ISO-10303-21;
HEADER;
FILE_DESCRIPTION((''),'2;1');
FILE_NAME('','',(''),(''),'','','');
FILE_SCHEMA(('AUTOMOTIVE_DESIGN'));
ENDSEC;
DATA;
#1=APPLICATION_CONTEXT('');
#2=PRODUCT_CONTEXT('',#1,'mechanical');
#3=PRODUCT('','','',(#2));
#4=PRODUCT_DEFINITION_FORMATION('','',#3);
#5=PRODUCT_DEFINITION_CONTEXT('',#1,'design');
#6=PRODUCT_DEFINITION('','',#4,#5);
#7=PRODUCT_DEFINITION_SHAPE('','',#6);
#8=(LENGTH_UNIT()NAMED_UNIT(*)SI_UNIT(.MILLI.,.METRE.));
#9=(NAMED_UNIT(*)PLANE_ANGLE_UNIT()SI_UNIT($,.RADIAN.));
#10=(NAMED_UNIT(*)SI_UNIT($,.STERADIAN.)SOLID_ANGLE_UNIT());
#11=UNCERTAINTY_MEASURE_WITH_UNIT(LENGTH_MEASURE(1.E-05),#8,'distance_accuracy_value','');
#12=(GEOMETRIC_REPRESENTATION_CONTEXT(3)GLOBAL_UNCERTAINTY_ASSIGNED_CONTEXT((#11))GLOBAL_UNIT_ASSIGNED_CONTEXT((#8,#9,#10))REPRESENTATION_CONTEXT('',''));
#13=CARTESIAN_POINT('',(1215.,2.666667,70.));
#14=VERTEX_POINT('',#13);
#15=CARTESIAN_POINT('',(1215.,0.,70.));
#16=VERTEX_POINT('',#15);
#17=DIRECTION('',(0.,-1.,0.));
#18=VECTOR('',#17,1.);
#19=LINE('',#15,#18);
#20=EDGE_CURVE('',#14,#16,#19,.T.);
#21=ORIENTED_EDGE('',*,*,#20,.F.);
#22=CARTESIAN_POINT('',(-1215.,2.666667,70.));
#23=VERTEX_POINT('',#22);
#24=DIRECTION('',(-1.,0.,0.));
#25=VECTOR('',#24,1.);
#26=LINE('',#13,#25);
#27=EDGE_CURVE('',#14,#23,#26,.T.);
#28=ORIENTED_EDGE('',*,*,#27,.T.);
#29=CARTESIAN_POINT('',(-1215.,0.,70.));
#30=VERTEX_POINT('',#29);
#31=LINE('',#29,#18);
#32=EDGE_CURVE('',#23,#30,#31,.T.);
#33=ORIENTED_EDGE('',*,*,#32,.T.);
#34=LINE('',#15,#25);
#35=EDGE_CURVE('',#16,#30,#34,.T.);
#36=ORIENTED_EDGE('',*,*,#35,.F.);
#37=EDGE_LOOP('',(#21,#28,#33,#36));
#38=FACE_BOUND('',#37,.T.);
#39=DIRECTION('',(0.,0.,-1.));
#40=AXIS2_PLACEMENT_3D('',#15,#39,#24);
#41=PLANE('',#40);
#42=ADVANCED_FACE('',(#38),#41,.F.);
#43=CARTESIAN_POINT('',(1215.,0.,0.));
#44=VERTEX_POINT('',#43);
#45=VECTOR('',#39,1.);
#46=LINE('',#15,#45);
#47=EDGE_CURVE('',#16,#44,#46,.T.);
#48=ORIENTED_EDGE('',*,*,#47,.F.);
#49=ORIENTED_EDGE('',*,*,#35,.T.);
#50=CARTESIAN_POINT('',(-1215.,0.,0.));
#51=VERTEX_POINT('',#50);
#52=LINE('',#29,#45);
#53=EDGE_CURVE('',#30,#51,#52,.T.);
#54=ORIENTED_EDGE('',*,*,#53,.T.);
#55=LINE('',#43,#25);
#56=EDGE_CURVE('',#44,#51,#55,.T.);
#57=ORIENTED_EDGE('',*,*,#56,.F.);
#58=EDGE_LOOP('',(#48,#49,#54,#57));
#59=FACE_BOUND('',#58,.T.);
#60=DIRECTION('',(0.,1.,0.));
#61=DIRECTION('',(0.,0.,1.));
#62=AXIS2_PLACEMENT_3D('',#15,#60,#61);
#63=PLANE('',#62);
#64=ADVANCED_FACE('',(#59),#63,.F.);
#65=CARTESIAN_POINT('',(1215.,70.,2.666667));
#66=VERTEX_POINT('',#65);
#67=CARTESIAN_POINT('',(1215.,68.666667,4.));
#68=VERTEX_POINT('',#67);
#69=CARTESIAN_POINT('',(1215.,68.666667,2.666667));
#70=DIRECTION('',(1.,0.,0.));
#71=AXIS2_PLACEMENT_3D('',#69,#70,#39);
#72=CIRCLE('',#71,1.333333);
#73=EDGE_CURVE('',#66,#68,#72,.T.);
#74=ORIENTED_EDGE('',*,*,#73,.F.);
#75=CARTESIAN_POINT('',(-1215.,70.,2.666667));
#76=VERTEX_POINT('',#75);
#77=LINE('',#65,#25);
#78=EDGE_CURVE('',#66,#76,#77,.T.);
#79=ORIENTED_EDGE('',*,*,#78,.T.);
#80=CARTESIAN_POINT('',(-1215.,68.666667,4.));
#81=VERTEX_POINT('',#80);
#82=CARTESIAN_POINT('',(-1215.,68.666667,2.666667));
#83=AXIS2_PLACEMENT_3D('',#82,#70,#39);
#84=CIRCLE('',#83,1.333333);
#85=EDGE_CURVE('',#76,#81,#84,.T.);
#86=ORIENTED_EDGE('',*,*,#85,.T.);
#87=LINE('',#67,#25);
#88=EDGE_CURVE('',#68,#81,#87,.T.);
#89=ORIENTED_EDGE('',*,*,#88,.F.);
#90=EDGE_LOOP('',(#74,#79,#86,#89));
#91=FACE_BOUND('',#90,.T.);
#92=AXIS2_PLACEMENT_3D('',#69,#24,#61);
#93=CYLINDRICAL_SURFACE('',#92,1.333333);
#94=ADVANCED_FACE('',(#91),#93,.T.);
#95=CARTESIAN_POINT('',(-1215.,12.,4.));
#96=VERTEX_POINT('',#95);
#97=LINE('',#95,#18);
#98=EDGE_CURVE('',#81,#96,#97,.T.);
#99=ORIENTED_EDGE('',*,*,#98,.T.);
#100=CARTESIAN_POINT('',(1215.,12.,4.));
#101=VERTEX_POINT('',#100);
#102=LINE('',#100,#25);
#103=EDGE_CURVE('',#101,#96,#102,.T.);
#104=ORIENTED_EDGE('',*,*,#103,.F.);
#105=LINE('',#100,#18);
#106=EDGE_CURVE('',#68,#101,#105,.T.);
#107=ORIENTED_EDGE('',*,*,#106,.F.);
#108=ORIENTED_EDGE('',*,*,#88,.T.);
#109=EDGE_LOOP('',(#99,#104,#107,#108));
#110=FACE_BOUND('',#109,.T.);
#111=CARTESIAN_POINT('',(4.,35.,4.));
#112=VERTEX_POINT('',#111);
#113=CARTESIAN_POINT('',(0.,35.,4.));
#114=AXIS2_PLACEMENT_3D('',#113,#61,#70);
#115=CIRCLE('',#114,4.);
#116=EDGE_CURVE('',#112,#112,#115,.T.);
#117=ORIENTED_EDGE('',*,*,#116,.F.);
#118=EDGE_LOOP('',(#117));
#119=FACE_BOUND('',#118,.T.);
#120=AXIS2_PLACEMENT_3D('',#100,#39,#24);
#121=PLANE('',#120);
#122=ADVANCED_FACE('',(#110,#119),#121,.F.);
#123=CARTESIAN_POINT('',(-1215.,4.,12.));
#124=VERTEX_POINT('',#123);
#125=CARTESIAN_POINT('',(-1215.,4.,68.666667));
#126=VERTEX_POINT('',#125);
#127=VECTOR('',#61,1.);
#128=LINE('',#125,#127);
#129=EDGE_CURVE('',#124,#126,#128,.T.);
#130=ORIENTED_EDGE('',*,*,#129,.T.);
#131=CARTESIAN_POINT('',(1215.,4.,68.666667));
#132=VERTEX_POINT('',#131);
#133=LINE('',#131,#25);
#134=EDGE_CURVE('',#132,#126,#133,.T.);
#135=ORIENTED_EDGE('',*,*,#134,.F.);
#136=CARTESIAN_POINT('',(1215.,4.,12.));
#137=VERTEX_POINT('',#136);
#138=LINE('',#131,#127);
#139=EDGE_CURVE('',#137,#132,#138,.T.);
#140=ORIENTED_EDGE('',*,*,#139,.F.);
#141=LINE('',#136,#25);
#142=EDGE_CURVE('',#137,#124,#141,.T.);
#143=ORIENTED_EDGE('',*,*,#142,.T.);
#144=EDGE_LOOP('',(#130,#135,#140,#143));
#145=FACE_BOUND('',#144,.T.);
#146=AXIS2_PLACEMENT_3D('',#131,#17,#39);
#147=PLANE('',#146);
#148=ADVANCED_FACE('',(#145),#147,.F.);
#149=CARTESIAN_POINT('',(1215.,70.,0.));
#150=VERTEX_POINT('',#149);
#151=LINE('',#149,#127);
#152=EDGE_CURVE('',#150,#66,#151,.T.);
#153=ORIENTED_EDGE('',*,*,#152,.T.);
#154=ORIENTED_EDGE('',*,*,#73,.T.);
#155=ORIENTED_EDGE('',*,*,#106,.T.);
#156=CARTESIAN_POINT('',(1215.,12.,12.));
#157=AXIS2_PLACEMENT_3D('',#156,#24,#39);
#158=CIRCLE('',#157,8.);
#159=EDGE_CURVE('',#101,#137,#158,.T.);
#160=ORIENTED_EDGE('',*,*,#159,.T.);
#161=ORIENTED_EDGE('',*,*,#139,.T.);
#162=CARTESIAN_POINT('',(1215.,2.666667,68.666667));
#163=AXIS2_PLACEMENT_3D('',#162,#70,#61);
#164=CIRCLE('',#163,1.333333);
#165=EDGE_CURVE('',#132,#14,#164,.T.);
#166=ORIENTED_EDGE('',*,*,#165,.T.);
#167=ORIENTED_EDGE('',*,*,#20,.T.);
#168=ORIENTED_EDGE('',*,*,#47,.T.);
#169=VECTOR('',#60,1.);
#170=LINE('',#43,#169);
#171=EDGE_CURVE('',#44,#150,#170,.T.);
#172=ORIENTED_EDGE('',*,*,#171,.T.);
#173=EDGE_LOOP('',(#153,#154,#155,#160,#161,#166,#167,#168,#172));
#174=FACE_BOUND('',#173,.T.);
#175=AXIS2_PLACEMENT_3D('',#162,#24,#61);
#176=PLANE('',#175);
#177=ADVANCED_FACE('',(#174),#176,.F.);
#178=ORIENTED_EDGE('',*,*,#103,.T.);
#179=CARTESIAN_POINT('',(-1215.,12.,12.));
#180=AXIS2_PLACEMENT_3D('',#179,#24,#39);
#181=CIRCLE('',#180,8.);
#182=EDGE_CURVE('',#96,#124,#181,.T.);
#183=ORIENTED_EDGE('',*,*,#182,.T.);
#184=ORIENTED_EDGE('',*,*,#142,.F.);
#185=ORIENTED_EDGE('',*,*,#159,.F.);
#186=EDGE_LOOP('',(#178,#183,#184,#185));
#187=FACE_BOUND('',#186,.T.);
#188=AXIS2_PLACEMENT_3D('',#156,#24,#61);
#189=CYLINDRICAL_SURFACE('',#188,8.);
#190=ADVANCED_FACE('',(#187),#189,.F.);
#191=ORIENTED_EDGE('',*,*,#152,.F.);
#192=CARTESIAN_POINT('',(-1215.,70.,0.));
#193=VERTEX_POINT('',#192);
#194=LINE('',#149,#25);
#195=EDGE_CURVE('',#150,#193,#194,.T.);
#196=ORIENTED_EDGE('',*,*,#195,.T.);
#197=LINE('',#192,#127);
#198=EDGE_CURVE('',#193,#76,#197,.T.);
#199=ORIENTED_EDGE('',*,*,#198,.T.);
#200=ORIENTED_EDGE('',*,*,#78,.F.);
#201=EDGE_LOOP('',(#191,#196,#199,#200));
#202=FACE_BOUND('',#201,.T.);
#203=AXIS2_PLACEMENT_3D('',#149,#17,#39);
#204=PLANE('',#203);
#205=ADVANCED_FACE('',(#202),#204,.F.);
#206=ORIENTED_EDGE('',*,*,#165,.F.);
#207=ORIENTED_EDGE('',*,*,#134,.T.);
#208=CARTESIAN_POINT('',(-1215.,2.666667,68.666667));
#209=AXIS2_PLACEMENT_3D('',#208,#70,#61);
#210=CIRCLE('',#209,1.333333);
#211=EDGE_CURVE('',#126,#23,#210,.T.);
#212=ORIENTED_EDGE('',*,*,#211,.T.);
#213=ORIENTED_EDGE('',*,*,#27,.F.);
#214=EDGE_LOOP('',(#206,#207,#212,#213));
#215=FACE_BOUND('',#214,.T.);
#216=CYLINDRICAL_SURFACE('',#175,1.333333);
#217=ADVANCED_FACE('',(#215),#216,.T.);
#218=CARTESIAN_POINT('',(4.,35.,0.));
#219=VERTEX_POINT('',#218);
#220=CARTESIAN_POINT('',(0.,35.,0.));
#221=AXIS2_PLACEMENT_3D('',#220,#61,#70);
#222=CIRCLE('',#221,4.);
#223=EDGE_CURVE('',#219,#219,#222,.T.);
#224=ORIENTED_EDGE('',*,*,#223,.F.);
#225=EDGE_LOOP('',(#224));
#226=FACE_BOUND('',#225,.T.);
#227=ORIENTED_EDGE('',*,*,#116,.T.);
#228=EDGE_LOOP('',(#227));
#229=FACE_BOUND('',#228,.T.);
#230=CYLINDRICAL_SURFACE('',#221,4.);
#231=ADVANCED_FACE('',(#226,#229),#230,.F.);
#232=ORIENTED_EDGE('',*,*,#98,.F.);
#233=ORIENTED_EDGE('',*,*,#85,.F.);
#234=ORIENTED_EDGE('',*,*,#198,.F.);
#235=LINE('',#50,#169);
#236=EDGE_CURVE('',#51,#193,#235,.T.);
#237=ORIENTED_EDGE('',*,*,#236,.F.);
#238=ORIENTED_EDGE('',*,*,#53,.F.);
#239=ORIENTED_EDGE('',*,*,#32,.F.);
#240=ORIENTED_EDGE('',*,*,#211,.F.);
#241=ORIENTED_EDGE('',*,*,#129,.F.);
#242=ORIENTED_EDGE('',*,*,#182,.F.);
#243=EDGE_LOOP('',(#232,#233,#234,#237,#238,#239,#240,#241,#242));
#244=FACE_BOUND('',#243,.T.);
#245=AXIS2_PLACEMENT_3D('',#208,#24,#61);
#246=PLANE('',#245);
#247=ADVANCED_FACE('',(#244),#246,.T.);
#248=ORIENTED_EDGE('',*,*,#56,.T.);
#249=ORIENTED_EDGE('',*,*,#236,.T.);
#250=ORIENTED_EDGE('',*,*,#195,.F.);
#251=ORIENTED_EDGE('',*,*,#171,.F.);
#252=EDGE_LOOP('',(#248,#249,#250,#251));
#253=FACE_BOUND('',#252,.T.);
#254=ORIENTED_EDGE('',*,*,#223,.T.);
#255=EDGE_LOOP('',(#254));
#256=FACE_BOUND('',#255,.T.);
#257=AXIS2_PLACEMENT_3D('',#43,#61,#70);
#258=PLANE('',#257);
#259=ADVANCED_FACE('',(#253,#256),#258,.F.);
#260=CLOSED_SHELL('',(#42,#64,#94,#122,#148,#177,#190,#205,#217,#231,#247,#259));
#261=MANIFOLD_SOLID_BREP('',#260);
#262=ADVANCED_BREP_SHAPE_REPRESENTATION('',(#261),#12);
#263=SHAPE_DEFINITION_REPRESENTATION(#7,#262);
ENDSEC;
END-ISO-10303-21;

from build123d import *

# Parameters (mm, degrees)
BASE_DEPTH          = 1215
SKETCH_1_R          = 4
CUT_EXTRUDE_1_DEPTH = 5


with BuildPart() as part:
    # Sketch1 → Base (new body, symmetric)
    with BuildSketch(Plane.YZ):
        with BuildLine():
            Line((0, 70), (0, 0))
            Line((0, 0), (70, 0))
            Line((70, 0), (70, 2.666666667))
            ThreePointArc((70, 2.666666667), (69.609475708, 3.609475708), (68.666666667, 4))
            Line((68.666666667, 4), (12, 4))
            ThreePointArc((12, 4), (6.343145751, 6.343145751), (4, 12))
            Line((4, 12), (4, 68.666666667))
            ThreePointArc((4, 68.666666667), (3.609475708, 69.609475708), (2.666666667, 70))
            Line((2.666666667, 70), (0, 70))
        make_face()
    extrude(amount=BASE_DEPTH, both=True)

    # 草图1 → 切除-拉伸1 (cut, through all)
    with BuildSketch(Plane.XY.offset(4)):
        with Locations((0, 35)):
            Circle(SKETCH_1_R)
    extrude(amount=-CUT_EXTRUDE_1_DEPTH, mode=Mode.SUBTRACT)


solid = part.part
